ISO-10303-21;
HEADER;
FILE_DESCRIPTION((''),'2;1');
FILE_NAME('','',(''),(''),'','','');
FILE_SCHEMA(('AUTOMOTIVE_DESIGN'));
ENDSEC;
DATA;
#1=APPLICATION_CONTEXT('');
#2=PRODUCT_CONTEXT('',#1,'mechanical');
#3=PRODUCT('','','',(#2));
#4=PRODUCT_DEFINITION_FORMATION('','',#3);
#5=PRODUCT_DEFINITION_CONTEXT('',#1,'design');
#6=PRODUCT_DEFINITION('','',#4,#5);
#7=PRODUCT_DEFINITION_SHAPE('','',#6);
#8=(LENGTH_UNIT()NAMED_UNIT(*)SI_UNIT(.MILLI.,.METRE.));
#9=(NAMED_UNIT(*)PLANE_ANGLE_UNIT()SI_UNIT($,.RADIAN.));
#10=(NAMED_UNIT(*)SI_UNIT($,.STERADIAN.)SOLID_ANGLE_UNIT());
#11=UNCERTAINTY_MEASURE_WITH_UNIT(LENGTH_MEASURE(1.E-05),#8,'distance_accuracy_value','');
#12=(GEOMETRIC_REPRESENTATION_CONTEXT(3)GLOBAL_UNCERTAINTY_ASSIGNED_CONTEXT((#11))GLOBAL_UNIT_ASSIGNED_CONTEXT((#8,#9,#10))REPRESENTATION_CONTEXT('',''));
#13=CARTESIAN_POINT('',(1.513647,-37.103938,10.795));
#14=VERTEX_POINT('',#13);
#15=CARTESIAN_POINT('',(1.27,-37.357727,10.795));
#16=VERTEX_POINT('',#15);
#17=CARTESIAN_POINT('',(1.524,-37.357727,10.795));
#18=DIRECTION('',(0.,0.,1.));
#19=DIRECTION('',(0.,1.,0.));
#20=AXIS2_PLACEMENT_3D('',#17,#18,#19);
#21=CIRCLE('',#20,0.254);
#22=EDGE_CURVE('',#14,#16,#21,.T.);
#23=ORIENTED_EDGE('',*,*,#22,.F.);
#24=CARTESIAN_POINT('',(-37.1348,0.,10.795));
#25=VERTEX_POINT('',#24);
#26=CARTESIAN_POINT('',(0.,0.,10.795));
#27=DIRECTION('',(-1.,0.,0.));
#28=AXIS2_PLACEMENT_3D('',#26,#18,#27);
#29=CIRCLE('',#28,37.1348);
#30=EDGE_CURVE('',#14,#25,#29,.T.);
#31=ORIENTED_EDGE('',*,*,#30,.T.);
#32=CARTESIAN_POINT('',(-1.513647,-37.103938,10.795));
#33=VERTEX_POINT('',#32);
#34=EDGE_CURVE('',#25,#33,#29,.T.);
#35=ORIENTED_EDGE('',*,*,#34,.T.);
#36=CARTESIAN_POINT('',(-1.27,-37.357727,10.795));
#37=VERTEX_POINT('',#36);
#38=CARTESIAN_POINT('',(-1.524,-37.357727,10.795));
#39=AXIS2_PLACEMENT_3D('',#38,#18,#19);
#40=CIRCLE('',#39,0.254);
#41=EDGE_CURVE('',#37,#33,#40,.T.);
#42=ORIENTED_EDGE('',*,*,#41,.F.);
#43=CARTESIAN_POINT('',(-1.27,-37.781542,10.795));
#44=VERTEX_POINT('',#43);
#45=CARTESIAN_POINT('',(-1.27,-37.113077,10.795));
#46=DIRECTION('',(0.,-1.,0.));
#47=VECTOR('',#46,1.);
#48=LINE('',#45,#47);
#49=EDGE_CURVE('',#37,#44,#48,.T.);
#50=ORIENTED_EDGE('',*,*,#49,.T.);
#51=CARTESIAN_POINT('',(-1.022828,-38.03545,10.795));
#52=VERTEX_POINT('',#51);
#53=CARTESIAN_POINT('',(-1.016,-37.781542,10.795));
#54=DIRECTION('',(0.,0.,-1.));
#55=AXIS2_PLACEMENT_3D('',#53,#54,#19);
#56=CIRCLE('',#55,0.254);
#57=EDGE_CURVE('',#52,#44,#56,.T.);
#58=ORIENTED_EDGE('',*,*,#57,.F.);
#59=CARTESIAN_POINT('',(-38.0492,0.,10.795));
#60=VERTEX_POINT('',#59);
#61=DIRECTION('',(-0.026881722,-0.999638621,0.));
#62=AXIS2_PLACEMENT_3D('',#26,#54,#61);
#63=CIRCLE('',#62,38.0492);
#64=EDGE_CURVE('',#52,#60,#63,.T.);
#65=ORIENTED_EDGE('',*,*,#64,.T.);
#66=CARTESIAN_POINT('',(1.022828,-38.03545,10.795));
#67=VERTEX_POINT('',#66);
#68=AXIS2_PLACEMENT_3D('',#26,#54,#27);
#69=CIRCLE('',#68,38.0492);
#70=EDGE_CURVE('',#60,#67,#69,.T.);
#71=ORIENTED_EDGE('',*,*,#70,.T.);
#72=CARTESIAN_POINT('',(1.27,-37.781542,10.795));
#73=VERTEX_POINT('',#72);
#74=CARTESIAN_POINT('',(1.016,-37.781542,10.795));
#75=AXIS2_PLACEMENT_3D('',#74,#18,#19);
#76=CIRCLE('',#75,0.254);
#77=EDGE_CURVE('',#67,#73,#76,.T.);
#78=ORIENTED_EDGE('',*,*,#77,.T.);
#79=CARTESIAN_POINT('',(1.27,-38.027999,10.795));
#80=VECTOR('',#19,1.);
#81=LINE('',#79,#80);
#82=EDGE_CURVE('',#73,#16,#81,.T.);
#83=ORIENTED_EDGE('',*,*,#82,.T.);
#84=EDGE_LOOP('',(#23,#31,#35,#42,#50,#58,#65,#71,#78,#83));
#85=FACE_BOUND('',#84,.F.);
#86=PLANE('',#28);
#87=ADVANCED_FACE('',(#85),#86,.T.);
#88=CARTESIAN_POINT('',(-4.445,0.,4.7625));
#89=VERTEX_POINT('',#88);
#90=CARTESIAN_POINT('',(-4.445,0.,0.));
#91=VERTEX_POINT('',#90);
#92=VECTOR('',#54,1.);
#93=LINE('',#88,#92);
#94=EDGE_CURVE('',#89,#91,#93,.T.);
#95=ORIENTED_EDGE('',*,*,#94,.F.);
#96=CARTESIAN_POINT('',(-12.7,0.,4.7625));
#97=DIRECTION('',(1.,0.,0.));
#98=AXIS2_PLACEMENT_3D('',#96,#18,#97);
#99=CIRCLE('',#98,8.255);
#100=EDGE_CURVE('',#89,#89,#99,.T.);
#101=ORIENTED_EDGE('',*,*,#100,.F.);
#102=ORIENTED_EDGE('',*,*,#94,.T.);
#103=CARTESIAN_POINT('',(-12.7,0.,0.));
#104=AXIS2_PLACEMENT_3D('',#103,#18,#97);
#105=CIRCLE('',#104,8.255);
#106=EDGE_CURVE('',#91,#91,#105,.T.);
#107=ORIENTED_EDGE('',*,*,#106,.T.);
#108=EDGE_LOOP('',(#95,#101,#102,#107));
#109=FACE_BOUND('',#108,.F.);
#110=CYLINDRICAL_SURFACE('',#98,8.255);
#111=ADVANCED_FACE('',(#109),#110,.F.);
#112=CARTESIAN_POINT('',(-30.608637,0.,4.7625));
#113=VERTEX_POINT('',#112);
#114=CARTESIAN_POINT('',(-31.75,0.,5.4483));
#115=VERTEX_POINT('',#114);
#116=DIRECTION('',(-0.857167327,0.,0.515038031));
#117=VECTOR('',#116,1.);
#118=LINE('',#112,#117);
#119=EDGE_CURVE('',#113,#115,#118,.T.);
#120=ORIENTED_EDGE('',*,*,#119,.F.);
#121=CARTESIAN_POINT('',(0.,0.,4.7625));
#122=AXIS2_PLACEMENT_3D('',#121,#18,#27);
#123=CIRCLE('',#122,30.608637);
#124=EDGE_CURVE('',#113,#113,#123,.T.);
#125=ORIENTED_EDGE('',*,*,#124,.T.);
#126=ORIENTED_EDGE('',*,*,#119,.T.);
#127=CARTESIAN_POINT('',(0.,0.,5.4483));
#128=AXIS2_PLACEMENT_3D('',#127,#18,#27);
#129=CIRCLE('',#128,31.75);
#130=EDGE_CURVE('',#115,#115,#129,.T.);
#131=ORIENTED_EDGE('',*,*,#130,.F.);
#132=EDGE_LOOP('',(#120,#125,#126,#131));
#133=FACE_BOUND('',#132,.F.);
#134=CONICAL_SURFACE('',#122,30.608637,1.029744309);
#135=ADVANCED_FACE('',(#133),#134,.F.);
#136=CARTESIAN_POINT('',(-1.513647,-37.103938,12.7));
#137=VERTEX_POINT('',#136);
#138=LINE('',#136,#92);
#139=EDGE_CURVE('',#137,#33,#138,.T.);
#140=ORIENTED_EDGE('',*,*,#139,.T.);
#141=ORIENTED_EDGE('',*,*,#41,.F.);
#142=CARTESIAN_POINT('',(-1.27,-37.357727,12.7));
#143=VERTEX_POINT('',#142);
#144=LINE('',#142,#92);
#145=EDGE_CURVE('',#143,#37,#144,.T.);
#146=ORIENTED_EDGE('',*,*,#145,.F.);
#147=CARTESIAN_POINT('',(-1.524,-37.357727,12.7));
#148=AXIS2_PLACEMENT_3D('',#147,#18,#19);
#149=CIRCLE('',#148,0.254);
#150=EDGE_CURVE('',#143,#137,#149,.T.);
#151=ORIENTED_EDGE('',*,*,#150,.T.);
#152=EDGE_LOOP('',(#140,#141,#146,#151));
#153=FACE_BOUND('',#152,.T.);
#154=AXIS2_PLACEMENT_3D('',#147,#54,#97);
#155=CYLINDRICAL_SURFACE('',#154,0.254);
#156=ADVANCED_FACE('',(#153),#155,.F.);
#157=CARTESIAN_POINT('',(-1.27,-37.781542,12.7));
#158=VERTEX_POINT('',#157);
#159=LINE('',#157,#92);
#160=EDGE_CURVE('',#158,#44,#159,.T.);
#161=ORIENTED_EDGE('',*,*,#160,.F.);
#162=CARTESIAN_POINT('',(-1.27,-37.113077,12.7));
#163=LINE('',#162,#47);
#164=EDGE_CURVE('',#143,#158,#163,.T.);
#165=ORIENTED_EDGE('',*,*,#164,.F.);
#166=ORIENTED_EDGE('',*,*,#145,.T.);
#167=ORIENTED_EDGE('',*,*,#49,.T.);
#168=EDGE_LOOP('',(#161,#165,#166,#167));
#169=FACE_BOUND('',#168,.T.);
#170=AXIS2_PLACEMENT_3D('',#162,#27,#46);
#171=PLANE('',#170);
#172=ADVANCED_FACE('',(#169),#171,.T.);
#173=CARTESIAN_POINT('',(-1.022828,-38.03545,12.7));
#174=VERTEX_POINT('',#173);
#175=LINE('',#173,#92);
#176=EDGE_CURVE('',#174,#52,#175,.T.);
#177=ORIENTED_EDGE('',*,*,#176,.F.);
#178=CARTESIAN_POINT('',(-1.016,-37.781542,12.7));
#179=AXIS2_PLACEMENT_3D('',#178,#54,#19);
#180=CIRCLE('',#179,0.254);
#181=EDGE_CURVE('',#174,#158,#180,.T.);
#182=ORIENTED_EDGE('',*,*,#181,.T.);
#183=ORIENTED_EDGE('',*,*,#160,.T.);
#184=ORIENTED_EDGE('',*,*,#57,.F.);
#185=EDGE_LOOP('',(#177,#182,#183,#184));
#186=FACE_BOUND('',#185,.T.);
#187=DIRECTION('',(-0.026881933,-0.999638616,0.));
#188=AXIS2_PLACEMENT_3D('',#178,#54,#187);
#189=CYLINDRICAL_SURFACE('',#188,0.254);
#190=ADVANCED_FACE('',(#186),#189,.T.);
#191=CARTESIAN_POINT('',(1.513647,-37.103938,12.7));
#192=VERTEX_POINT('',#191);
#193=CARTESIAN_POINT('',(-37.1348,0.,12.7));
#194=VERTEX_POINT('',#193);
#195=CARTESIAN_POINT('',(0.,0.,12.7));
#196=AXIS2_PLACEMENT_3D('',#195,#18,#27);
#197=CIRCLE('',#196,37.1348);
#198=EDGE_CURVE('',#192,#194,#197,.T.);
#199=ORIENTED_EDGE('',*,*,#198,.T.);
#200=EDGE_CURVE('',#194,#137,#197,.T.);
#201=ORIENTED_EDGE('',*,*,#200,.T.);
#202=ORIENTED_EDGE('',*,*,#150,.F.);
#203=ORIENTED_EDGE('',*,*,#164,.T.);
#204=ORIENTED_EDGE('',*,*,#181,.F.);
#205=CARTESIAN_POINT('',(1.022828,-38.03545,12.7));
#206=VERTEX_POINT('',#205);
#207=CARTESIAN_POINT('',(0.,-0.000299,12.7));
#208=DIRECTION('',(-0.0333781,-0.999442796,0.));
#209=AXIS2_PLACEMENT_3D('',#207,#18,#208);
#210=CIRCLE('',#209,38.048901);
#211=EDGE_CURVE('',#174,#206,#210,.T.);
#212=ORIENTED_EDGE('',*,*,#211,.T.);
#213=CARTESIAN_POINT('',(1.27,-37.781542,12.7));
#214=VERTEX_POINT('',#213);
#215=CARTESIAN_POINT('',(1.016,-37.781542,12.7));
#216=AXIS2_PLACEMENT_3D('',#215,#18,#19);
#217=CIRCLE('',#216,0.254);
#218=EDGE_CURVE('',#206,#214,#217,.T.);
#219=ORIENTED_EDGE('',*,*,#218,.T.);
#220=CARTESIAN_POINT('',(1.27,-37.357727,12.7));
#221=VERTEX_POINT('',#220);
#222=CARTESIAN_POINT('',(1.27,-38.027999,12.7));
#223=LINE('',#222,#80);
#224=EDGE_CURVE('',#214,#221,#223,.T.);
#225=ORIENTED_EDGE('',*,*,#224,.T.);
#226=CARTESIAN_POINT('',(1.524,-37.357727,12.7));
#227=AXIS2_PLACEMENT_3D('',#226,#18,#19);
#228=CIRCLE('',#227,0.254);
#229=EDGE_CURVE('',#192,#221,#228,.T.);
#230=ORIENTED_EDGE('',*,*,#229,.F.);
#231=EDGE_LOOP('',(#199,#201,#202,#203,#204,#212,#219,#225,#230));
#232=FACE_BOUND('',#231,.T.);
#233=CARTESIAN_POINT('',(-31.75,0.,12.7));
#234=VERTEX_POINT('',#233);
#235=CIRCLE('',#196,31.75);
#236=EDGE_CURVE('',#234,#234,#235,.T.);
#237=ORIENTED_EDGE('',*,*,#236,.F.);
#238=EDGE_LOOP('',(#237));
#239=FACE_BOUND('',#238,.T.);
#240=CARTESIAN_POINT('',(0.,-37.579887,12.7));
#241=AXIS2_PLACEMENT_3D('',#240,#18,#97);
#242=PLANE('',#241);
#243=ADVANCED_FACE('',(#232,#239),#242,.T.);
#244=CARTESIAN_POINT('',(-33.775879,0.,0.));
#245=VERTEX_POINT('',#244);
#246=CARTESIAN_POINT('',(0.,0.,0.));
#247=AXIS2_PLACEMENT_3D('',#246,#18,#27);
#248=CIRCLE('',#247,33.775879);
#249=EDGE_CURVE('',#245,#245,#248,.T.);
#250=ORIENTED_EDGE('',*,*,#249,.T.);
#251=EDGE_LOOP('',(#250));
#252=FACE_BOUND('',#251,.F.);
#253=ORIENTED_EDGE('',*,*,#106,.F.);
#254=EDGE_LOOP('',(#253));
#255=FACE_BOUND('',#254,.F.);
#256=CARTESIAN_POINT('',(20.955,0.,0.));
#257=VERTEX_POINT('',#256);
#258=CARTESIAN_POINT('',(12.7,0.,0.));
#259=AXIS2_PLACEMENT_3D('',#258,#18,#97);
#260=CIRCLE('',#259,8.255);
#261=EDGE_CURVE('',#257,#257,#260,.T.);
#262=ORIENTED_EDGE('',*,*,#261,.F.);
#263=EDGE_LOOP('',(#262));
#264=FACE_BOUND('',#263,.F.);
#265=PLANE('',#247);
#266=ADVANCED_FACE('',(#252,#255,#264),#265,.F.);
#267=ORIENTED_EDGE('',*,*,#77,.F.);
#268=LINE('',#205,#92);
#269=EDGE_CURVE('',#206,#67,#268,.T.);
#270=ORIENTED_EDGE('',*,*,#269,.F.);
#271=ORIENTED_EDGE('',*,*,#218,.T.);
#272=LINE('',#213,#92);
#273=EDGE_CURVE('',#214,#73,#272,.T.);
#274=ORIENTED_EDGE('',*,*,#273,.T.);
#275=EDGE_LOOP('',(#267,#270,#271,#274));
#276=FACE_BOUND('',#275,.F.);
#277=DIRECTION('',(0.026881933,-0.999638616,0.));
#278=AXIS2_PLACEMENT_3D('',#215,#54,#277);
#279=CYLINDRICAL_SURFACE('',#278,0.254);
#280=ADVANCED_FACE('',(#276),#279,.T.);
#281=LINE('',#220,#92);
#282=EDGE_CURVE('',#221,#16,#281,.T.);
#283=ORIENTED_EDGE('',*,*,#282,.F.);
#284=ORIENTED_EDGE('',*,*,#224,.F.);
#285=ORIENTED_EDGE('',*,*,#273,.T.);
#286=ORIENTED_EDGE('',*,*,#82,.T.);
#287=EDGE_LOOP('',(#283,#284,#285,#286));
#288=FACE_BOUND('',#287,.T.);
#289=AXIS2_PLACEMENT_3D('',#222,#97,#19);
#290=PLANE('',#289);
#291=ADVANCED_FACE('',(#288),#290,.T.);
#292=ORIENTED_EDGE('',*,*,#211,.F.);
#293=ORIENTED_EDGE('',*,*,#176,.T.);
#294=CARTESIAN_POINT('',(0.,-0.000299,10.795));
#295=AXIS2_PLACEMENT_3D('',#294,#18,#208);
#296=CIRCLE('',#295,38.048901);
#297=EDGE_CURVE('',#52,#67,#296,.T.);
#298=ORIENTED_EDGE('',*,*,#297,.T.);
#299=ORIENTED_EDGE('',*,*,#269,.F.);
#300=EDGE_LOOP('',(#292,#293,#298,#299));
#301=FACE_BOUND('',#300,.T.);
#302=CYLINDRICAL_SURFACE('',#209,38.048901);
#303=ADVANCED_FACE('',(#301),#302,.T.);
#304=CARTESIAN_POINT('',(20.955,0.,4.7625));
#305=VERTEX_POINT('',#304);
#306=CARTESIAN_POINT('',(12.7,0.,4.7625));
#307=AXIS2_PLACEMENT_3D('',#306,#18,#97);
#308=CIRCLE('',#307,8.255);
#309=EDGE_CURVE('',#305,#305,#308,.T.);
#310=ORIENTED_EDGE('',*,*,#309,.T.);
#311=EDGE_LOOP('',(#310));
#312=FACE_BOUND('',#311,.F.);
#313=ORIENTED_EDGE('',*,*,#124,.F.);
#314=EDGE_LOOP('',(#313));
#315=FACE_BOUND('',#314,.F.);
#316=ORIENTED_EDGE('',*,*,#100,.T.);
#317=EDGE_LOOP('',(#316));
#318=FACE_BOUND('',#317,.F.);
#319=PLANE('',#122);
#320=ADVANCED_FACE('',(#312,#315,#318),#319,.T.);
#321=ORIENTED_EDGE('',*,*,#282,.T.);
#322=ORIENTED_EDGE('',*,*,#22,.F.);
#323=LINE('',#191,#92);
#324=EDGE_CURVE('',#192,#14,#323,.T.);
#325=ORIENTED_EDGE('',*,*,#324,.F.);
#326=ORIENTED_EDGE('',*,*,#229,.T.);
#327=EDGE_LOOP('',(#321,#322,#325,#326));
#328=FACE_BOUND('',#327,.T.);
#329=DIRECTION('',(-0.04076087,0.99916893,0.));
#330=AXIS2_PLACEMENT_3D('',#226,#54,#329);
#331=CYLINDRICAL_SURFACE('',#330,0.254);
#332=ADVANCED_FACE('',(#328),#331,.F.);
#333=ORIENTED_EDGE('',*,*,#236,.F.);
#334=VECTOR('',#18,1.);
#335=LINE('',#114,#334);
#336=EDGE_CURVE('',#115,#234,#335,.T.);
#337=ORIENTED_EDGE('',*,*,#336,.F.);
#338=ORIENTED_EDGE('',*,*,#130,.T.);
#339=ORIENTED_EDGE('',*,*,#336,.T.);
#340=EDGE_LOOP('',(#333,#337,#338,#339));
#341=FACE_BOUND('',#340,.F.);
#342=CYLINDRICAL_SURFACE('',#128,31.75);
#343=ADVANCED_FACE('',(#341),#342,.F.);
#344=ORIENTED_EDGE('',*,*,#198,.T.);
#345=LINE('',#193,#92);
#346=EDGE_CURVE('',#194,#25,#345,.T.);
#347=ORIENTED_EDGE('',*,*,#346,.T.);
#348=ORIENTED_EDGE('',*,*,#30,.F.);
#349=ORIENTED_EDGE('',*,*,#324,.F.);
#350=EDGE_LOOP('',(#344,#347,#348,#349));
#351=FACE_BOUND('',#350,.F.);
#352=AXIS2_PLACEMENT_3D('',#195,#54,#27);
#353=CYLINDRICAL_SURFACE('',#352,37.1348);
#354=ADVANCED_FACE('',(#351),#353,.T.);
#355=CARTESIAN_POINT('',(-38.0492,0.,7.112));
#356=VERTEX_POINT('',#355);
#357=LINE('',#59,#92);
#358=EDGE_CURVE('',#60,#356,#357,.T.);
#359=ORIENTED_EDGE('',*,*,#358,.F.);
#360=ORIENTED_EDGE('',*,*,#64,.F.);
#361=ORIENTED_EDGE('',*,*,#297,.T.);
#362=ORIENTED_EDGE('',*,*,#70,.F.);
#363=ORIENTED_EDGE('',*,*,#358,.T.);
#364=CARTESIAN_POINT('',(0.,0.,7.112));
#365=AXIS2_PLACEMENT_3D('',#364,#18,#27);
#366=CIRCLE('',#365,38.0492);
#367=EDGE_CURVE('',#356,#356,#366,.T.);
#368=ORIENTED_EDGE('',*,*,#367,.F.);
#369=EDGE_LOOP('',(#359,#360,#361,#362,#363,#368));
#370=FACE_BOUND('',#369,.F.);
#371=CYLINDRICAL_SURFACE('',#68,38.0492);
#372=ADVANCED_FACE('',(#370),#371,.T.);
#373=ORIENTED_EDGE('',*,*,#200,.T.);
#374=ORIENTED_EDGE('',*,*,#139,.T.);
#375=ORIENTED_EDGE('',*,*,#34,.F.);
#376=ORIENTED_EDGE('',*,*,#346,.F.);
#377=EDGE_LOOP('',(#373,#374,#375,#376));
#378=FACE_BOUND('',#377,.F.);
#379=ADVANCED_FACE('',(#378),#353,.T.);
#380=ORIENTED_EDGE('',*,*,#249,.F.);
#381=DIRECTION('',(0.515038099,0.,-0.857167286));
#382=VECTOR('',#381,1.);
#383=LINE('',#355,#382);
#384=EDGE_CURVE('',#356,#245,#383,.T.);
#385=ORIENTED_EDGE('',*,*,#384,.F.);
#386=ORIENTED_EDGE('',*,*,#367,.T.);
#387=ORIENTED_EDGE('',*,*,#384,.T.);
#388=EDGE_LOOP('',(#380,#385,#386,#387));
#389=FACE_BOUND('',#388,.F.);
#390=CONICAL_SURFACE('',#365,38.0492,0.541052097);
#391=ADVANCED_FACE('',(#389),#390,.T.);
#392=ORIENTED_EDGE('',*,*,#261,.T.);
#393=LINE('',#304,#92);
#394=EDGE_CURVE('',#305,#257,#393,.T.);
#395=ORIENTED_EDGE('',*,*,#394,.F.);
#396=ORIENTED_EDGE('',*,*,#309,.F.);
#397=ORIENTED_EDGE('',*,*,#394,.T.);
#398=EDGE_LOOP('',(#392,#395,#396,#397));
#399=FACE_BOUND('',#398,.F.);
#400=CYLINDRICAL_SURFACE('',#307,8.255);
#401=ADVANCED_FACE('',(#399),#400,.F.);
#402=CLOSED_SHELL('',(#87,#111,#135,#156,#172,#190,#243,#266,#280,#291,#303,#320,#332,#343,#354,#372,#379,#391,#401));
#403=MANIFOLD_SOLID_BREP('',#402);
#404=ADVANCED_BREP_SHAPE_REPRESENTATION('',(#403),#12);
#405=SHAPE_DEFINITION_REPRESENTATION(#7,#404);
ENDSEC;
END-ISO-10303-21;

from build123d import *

# Parameters (mm, degrees)
F2_R     = 8.255
F3_DEPTH = 25.4
F5_DEPTH = 1.905
F6_R     = 0.254


with BuildPart() as f1:
    # F0 (on Front) → F1 (revolve)
    with BuildSketch(Plane.XZ):
        Polygon((-33.775879, 0), (0, 0), (0, 4.7625), (-30.608637, 4.7625), (-31.75, 5.4483), (-31.75, 12.7), (-37.1348, 12.7), (-37.1348, 10.795), (-38.0492, 10.795), (-38.0492, 7.112), align=None)
    revolve(axis=Axis((0, 0, 2.38125), (0, 0, 1)))

    # F2 (on face) → F3 (cut)
    with BuildSketch(Plane.XY.offset(4.7625)):
        with Locations((-12.7, 0)):
            Circle(F2_R)
        with Locations((12.7, 0)):
            Circle(F2_R)
    extrude(amount=-F3_DEPTH, mode=Mode.SUBTRACT)

    # F4 (on face) → F5 (join, through all)
    with BuildSketch(Plane.XY.offset(12.7)):
        with BuildLine():
            ThreePointArc((1.27, -37.113077), (0, -37.1348), (-1.27, -37.113077))
            Line((-1.27, -37.113077), (-1.27, -38.027999))
            ThreePointArc((-1.27, -38.027999), (0, -38.0492), (1.27, -38.027999))
            Line((1.27, -38.027999), (1.27, -37.113077))
        make_face()
    extrude(amount=-F5_DEPTH)

    # F6
    f6_edges = [f1.edges().sort_by_distance(p)[0] for p in [
        (1.27, -37.113077, 11.7475),
        (1.27, -38.027999, 11.7475),
        (-1.27, -38.027999, 11.7475),
        (-1.27, -37.113077, 11.7475),
    ]]
    fillet(f6_edges, radius=F6_R)


solid = f1.part
